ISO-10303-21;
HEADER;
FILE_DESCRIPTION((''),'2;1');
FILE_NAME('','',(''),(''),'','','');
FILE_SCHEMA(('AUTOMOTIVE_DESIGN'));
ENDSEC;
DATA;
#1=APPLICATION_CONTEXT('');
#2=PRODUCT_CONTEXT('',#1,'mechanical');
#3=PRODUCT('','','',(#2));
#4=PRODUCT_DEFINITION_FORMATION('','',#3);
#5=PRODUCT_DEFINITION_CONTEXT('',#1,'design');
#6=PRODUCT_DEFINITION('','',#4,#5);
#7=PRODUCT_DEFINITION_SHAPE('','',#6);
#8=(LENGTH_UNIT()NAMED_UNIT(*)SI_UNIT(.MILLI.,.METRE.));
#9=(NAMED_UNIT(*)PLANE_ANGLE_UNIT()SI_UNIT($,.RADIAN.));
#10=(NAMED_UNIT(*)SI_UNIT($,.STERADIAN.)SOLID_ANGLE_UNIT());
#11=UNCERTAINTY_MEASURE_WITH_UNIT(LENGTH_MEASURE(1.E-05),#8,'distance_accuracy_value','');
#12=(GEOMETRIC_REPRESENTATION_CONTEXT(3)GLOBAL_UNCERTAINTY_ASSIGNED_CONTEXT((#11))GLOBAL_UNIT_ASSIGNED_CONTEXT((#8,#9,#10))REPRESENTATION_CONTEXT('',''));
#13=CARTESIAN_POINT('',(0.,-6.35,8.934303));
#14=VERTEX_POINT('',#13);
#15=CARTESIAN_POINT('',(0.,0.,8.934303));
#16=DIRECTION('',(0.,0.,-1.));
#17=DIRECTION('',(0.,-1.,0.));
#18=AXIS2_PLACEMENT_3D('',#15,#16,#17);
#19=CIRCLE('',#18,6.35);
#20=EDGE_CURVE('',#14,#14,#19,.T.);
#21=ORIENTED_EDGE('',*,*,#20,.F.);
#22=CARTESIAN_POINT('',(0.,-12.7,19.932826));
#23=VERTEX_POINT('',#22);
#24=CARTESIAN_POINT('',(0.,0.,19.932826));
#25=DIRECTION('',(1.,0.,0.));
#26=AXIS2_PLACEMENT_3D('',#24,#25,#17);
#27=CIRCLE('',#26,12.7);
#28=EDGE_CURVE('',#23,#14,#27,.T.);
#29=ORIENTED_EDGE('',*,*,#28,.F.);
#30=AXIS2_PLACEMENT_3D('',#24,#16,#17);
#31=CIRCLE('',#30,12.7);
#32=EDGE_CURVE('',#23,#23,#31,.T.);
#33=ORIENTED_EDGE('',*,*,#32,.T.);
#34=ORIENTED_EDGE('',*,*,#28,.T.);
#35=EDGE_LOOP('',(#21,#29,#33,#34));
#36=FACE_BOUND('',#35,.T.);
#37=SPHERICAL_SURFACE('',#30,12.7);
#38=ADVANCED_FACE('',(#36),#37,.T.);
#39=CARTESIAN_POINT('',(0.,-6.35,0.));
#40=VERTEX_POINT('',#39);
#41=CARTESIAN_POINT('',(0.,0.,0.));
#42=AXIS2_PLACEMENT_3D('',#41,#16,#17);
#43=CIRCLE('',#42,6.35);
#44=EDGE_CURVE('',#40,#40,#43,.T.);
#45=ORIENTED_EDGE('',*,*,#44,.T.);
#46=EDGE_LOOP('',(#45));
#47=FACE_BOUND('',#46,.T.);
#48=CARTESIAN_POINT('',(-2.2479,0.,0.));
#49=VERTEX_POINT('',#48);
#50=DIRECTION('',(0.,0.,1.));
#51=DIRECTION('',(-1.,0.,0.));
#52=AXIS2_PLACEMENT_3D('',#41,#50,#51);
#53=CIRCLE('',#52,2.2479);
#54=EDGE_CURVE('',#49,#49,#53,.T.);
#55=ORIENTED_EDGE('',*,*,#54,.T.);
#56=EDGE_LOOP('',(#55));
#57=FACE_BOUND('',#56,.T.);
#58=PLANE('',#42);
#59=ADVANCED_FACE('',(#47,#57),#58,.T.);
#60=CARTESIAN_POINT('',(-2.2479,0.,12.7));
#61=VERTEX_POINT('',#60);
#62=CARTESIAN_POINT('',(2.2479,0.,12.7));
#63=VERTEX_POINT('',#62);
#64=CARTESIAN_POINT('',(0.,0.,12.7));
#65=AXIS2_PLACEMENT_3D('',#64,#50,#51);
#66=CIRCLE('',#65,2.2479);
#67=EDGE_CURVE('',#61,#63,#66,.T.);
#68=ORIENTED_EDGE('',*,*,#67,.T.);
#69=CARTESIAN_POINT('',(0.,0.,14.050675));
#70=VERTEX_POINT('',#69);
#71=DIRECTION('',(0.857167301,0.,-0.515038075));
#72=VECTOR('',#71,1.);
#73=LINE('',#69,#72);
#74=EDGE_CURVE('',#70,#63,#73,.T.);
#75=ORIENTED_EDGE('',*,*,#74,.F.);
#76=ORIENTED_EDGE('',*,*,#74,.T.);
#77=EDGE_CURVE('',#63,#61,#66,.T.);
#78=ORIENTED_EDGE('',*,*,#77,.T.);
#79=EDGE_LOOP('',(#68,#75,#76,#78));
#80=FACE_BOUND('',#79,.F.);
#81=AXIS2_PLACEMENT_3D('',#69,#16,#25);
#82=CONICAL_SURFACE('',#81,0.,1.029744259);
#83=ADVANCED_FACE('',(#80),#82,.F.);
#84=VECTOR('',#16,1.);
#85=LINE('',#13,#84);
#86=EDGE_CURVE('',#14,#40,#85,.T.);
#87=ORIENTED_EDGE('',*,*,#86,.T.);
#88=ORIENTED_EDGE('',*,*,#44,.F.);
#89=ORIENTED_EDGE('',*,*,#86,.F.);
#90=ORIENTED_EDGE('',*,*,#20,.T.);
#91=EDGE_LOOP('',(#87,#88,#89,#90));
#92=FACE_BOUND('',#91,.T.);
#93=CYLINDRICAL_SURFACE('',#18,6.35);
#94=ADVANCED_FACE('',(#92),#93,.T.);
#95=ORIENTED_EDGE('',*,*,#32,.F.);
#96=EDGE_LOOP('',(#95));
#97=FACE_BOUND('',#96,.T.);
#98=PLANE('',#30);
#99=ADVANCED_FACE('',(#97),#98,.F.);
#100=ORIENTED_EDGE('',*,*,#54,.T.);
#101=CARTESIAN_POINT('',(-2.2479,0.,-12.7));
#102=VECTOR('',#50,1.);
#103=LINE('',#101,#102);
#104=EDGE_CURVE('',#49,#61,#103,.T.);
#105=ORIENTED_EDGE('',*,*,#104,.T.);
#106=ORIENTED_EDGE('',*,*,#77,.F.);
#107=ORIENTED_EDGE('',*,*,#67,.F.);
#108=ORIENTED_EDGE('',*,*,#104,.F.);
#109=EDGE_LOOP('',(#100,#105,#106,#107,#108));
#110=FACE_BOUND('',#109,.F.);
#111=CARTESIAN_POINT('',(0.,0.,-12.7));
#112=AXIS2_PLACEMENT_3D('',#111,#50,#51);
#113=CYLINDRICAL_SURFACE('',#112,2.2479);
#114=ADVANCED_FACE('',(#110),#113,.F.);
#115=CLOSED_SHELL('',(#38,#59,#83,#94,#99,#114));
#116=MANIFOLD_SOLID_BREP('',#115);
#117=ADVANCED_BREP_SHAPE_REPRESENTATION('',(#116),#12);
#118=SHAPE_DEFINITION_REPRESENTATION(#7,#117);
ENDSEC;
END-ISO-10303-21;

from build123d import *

# Parameters (mm, degrees)
F3_D     = 4.4958
F3_DEPTH = 12.7
F3_TIP   = 1.3506745855


with BuildPart() as f1:
    # F0 (on Right) → F1 (revolve)
    with BuildSketch(Plane.YZ):
        with BuildLine():
            Line((-6.35, 0), (0, 0))
            Line((0, 0), (0, 7.2328258495))
            Line((0, 7.2328258495), (0, 19.9328258495))
            Line((0, 19.9328258495), (-12.7, 19.9328258495))
            ThreePointArc((-12.7, 19.9328258495), (-10.9985226281, 13.5828258495), (-6.35, 8.9343032215))
            Line((-6.35, 8.9343032215), (-6.35, 0))
        make_face()
    revolve(axis=Axis((0, 0, 13.5828258495), (0, 0, -1)))

    # F3
    with Locations(Plane(origin=(0, 0, 0), x_dir=(1, 0, 0), z_dir=(0, 0, -1))):
        with Locations((0, 0)):
            Hole(F3_D / 2, depth=F3_DEPTH)
            with Locations((0, 0, -(F3_DEPTH + F3_TIP / 2))):  # 118° drill point
                Cone(0, F3_D / 2, F3_TIP, mode=Mode.SUBTRACT)


solid = f1.part
